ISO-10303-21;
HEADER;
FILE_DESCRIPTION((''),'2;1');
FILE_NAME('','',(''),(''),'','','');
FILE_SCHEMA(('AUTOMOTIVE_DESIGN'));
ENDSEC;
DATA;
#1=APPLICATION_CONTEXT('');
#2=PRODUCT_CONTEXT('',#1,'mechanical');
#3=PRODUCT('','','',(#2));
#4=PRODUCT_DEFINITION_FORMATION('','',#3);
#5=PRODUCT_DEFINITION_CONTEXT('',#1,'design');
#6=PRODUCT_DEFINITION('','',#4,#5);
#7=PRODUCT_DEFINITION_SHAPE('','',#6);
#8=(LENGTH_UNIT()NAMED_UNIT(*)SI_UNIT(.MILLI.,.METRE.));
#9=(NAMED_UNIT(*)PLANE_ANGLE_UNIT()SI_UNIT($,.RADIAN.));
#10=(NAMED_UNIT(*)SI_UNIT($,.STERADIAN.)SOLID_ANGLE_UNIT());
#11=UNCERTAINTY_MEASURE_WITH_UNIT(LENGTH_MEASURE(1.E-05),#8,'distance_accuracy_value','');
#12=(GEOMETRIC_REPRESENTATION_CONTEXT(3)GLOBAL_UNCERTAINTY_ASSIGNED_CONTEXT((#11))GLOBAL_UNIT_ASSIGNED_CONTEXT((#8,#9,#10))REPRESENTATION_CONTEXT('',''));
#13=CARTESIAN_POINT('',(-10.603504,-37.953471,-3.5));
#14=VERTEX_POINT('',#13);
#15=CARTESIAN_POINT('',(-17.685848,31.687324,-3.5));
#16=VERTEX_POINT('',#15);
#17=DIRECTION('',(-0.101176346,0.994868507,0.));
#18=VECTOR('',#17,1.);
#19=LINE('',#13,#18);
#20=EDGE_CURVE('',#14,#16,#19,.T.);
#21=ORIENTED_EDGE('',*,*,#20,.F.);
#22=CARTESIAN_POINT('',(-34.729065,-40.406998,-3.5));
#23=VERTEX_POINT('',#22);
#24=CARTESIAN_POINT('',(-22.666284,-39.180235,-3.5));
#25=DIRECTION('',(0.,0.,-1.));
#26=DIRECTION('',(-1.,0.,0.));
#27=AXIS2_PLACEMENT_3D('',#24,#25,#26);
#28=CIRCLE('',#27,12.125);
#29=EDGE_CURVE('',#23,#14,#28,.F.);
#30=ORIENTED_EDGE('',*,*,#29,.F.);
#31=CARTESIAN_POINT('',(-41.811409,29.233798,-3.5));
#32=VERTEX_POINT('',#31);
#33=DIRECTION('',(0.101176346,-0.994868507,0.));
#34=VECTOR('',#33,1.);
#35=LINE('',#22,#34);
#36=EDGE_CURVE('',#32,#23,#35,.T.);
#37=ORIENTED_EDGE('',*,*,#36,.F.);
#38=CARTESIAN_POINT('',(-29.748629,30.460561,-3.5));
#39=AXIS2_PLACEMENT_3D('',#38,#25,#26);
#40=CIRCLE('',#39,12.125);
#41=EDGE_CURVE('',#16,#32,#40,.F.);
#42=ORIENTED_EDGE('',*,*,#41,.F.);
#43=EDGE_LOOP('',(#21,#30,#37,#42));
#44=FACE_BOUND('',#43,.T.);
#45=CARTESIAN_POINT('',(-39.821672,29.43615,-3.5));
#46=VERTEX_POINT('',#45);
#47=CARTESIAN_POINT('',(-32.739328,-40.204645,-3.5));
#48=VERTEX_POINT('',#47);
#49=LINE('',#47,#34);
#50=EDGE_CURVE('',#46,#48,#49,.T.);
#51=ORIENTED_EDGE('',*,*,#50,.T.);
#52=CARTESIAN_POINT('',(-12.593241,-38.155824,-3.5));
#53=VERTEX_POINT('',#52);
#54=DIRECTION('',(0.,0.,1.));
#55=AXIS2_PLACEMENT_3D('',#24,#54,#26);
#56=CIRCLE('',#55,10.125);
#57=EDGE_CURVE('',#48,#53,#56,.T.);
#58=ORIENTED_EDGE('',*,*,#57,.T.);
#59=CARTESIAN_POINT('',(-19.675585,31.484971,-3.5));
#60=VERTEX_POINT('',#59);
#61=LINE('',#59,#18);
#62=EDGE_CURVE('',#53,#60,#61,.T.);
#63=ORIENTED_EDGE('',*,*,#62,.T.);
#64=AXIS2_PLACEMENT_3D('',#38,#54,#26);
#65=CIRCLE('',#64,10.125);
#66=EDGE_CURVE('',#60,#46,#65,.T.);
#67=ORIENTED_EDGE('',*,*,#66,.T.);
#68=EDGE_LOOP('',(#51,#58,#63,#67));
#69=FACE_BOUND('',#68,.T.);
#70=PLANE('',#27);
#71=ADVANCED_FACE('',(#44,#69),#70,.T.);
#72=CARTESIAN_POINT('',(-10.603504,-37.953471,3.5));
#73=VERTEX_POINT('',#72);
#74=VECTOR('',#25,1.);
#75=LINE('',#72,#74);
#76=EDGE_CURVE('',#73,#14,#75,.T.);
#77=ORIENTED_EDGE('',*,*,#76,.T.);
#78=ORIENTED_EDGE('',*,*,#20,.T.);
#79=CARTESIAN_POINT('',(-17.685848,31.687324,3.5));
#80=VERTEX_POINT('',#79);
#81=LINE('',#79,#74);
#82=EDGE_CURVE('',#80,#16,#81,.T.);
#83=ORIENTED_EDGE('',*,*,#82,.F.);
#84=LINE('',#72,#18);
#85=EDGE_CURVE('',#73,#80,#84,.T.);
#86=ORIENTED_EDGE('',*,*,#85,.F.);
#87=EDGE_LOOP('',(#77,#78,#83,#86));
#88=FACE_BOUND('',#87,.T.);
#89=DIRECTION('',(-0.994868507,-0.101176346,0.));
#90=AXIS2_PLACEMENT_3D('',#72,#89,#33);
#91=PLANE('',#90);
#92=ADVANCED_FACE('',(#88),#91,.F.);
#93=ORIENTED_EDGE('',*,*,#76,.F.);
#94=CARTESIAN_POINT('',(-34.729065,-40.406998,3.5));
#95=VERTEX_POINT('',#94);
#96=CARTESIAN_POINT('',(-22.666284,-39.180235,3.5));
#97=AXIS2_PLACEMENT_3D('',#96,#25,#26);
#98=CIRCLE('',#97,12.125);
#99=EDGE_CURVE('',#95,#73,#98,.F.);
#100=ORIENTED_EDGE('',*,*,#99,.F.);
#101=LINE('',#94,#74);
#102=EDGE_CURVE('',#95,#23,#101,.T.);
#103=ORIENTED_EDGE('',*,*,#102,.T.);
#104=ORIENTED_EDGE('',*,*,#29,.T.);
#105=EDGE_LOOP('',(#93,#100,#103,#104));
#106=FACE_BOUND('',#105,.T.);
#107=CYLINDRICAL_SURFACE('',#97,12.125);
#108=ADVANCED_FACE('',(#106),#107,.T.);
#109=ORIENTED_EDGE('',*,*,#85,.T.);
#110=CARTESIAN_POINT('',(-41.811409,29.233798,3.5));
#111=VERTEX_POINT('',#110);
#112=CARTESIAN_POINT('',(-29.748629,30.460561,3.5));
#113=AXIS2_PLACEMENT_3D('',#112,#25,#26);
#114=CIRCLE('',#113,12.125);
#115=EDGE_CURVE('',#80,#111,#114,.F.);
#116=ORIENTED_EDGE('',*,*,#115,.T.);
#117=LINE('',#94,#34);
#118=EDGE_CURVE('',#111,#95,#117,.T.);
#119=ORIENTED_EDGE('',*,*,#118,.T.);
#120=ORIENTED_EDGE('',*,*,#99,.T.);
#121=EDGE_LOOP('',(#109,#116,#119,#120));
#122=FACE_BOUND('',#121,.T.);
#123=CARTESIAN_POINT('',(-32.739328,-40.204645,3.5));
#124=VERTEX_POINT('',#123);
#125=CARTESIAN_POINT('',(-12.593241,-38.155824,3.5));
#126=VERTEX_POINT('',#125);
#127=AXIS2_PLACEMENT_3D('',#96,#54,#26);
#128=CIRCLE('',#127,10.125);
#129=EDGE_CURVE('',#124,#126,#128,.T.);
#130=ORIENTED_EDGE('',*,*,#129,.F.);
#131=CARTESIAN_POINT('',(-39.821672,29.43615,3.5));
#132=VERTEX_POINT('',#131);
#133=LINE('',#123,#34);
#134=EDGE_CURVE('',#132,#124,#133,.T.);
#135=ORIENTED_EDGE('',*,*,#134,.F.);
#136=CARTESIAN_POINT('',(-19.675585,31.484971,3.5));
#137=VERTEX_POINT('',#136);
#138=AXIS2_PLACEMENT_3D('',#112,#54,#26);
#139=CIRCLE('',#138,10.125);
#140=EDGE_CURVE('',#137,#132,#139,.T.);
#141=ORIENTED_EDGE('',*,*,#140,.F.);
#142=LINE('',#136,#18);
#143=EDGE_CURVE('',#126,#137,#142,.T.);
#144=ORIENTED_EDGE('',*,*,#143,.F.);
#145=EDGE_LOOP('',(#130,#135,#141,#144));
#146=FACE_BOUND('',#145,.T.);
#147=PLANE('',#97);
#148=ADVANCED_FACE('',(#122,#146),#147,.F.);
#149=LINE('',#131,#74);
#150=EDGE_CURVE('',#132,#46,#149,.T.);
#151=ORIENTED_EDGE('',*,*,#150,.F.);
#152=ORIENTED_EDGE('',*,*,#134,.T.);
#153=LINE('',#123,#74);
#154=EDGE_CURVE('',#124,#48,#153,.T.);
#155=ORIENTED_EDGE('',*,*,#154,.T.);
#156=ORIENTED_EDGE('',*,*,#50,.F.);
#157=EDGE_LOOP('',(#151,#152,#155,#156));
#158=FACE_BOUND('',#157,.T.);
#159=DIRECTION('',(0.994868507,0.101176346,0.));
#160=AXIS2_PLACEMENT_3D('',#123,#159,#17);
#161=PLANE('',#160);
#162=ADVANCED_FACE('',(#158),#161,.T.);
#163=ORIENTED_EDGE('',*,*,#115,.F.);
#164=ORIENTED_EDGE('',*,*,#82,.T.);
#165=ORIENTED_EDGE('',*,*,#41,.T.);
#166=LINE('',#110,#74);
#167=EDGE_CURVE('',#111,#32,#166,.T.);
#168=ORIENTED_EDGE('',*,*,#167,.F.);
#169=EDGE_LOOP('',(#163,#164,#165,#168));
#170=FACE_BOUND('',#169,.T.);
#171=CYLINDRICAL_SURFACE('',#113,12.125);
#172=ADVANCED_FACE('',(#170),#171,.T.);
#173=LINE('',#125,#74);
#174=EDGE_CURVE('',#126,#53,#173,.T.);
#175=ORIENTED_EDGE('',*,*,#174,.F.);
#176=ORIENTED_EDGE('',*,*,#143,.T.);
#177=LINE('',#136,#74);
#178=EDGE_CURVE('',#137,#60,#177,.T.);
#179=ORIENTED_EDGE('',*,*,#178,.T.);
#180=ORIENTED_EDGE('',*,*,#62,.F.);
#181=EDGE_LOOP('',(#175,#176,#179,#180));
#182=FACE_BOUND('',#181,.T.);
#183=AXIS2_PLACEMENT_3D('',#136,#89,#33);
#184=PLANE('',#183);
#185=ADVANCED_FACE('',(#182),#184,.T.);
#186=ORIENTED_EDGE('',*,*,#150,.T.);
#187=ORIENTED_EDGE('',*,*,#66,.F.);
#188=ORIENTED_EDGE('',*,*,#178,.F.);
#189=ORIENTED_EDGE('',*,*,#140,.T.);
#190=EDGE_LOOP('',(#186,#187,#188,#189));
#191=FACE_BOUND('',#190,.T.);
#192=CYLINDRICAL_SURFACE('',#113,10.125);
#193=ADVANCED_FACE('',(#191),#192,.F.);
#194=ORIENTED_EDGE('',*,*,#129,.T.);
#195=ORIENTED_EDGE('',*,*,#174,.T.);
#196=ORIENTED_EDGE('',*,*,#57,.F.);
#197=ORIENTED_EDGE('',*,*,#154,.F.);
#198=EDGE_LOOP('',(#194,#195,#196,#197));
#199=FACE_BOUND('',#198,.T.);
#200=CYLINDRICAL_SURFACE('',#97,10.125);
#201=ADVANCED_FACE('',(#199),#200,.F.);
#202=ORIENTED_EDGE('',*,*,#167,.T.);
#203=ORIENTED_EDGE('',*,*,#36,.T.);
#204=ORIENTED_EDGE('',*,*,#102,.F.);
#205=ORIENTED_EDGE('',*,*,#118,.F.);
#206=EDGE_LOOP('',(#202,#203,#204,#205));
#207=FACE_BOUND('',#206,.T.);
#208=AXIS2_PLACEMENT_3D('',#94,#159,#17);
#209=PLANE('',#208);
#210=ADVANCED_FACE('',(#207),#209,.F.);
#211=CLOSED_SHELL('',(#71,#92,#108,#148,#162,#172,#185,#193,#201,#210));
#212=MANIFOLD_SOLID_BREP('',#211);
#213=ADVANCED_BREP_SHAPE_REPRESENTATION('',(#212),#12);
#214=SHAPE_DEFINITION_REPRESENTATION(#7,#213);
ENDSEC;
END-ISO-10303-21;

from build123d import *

# Parameters (mm, degrees)
EXTRUDE_1_DEPTH = 3.5


with BuildPart() as part:
    # 草图2 → 拉伸-薄壁1 (new, symmetric)
    with BuildSketch(Plane.XY):
        with BuildLine():
            Line((-17.685848075, 31.687324184), (-10.603503828, -37.953471331))
            ThreePointArc((-10.603503828, -37.953471331), (-21.439521279, -51.243015183), (-34.729065131, -40.406997732))
            Line((-34.729065131, -40.406997732), (-41.811409379, 29.233797783))
            ThreePointArc((-41.811409379, 29.233797783), (-30.975391927, 42.523341635), (-17.685848075, 31.687324184))
        make_face()
        with BuildLine():
            Line((-19.67558509, 31.484971491), (-12.593240843, -38.155824024))
            ThreePointArc((-12.593240843, -38.155824024), (-21.641873972, -49.253278168), (-32.739328117, -40.204645039))
            Line((-32.739328117, -40.204645039), (-39.821672364, 29.436150476))
            ThreePointArc((-39.821672364, 29.436150476), (-30.773039234, 40.53360462), (-19.67558509, 31.484971491))
        make_face(mode=Mode.SUBTRACT)
    extrude(amount=EXTRUDE_1_DEPTH, both=True)


solid = part.part
